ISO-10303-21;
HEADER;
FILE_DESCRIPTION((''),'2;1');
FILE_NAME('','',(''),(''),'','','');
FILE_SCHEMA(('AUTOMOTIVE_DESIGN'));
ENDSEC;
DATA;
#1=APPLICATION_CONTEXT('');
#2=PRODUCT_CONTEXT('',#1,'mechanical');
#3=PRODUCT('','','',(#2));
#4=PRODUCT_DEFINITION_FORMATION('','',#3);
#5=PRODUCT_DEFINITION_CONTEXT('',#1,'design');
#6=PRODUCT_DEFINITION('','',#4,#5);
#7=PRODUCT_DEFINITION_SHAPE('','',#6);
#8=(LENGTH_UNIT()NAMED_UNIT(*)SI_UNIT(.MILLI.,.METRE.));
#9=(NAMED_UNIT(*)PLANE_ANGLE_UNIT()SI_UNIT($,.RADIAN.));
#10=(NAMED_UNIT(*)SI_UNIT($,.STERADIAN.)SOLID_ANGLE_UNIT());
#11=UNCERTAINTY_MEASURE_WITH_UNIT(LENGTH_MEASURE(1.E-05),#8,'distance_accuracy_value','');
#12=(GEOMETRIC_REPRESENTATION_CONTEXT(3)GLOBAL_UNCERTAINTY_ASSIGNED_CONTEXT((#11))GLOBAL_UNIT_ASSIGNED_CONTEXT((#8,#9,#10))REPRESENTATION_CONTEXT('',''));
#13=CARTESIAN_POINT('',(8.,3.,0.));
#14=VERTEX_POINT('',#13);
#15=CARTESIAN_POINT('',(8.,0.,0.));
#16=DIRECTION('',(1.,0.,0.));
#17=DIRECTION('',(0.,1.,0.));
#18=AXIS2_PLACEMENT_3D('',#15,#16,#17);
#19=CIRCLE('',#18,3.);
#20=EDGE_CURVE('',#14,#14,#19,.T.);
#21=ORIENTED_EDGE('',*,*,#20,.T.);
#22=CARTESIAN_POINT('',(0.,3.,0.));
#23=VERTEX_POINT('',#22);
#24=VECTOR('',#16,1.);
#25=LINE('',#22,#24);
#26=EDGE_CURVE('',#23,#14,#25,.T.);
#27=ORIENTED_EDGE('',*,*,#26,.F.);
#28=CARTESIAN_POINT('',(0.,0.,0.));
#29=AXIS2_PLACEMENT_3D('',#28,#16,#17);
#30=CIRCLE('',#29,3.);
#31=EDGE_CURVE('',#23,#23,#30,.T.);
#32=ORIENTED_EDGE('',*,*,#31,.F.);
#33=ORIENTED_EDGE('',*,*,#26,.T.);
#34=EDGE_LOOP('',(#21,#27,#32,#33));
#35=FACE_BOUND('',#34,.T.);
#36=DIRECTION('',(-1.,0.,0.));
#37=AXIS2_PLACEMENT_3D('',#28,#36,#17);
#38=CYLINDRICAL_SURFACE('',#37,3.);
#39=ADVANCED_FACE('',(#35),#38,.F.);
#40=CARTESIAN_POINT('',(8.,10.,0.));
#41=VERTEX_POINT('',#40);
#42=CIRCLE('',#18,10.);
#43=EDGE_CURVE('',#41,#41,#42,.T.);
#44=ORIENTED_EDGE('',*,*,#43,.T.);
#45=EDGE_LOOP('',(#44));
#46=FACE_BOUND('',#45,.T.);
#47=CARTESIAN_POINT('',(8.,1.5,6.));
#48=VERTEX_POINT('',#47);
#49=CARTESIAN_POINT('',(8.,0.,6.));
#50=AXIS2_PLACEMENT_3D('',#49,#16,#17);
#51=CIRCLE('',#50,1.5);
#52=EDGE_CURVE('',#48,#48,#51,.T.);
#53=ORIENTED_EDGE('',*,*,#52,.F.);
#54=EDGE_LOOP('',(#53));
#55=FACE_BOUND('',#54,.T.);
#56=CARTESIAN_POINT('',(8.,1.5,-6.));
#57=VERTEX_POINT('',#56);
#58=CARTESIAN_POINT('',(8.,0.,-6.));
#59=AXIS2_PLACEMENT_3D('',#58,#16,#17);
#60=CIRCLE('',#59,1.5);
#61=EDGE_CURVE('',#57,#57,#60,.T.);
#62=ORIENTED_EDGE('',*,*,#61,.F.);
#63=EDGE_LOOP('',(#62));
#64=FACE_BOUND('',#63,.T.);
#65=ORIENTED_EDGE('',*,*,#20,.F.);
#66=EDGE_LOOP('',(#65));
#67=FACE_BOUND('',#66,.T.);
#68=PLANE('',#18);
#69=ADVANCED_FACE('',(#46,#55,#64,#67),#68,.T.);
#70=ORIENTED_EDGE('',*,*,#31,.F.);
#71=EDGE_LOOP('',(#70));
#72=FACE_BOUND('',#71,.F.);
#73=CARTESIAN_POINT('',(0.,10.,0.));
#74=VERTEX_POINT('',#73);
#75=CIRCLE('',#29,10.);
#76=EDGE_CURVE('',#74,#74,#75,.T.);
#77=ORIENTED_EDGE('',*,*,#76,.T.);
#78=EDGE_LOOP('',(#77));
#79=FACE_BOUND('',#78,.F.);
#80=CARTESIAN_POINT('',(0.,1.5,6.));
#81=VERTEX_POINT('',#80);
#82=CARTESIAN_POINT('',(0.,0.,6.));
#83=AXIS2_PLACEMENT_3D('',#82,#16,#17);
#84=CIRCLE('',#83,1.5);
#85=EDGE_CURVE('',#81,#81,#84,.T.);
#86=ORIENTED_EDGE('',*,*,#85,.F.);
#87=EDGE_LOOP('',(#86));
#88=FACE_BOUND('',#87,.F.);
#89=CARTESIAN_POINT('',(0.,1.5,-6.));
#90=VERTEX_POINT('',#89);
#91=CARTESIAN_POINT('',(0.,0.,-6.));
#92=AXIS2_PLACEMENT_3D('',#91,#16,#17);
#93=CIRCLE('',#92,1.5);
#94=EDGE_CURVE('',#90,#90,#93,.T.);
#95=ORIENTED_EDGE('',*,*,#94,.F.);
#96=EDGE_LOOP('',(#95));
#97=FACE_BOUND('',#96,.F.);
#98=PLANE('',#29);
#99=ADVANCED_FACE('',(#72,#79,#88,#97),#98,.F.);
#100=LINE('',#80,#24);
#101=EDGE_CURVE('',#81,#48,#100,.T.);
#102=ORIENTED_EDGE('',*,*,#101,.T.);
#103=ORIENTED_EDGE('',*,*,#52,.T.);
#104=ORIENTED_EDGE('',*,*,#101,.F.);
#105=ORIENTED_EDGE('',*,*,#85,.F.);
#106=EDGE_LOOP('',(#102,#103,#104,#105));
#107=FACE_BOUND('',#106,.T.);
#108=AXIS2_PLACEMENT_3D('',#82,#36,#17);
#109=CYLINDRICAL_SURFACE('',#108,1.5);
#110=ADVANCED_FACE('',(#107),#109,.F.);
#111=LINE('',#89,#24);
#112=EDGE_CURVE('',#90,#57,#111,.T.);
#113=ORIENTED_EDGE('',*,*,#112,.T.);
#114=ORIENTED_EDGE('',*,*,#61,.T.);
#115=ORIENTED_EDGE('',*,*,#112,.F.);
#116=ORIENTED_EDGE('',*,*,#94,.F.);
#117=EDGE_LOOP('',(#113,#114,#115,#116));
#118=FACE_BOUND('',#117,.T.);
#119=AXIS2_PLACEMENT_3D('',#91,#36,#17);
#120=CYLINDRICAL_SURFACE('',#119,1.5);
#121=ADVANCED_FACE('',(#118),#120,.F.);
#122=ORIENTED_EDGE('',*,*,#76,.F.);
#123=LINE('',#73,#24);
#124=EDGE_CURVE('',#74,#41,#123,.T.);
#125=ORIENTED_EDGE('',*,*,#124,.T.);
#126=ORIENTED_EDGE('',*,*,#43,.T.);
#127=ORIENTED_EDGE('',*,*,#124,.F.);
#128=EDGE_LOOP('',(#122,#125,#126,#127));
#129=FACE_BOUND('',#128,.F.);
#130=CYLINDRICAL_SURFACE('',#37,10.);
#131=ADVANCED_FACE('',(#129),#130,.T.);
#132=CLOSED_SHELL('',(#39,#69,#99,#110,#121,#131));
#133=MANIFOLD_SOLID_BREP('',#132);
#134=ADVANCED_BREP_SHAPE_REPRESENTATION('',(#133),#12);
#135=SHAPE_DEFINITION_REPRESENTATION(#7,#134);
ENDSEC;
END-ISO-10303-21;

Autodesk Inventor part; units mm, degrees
ref_plane "YZ Plane" through (0, 0, 0) normal (1, 0, 0) x (0, 1, 0)
ref_plane "XZ Plane" through (0, 0, 0) normal (0, 1, 0) x (-1, 0, 0)
ref_plane "XY Plane" through (0, 0, 0) normal (0, 0, 1) x (1, 0, 0)
sketch "スケッチ1" plane through (0, 0, 0) normal (1, 0, 0) x (0, 1, 0)
  circle A0 centre (0, 0) radius 10
  circle A1 centre (0, 0) radius 3
  circle A2 centre (0, 6) radius 1.5
  circle A3 centre (0, -6) radius 1.5
  dimension "d0" = 20
  dimension "d1" = 6
  dimension "d2" = 9
  dimension "d3" = 3
  dimension "d4" = 3
  dimension "d5" = 6
  dimension "d6" = 6
extrude "押し出し1" add sketch "スケッチ1" along normal blind 8
properties part number "スリットカラー" material "ステンレス鋼"
